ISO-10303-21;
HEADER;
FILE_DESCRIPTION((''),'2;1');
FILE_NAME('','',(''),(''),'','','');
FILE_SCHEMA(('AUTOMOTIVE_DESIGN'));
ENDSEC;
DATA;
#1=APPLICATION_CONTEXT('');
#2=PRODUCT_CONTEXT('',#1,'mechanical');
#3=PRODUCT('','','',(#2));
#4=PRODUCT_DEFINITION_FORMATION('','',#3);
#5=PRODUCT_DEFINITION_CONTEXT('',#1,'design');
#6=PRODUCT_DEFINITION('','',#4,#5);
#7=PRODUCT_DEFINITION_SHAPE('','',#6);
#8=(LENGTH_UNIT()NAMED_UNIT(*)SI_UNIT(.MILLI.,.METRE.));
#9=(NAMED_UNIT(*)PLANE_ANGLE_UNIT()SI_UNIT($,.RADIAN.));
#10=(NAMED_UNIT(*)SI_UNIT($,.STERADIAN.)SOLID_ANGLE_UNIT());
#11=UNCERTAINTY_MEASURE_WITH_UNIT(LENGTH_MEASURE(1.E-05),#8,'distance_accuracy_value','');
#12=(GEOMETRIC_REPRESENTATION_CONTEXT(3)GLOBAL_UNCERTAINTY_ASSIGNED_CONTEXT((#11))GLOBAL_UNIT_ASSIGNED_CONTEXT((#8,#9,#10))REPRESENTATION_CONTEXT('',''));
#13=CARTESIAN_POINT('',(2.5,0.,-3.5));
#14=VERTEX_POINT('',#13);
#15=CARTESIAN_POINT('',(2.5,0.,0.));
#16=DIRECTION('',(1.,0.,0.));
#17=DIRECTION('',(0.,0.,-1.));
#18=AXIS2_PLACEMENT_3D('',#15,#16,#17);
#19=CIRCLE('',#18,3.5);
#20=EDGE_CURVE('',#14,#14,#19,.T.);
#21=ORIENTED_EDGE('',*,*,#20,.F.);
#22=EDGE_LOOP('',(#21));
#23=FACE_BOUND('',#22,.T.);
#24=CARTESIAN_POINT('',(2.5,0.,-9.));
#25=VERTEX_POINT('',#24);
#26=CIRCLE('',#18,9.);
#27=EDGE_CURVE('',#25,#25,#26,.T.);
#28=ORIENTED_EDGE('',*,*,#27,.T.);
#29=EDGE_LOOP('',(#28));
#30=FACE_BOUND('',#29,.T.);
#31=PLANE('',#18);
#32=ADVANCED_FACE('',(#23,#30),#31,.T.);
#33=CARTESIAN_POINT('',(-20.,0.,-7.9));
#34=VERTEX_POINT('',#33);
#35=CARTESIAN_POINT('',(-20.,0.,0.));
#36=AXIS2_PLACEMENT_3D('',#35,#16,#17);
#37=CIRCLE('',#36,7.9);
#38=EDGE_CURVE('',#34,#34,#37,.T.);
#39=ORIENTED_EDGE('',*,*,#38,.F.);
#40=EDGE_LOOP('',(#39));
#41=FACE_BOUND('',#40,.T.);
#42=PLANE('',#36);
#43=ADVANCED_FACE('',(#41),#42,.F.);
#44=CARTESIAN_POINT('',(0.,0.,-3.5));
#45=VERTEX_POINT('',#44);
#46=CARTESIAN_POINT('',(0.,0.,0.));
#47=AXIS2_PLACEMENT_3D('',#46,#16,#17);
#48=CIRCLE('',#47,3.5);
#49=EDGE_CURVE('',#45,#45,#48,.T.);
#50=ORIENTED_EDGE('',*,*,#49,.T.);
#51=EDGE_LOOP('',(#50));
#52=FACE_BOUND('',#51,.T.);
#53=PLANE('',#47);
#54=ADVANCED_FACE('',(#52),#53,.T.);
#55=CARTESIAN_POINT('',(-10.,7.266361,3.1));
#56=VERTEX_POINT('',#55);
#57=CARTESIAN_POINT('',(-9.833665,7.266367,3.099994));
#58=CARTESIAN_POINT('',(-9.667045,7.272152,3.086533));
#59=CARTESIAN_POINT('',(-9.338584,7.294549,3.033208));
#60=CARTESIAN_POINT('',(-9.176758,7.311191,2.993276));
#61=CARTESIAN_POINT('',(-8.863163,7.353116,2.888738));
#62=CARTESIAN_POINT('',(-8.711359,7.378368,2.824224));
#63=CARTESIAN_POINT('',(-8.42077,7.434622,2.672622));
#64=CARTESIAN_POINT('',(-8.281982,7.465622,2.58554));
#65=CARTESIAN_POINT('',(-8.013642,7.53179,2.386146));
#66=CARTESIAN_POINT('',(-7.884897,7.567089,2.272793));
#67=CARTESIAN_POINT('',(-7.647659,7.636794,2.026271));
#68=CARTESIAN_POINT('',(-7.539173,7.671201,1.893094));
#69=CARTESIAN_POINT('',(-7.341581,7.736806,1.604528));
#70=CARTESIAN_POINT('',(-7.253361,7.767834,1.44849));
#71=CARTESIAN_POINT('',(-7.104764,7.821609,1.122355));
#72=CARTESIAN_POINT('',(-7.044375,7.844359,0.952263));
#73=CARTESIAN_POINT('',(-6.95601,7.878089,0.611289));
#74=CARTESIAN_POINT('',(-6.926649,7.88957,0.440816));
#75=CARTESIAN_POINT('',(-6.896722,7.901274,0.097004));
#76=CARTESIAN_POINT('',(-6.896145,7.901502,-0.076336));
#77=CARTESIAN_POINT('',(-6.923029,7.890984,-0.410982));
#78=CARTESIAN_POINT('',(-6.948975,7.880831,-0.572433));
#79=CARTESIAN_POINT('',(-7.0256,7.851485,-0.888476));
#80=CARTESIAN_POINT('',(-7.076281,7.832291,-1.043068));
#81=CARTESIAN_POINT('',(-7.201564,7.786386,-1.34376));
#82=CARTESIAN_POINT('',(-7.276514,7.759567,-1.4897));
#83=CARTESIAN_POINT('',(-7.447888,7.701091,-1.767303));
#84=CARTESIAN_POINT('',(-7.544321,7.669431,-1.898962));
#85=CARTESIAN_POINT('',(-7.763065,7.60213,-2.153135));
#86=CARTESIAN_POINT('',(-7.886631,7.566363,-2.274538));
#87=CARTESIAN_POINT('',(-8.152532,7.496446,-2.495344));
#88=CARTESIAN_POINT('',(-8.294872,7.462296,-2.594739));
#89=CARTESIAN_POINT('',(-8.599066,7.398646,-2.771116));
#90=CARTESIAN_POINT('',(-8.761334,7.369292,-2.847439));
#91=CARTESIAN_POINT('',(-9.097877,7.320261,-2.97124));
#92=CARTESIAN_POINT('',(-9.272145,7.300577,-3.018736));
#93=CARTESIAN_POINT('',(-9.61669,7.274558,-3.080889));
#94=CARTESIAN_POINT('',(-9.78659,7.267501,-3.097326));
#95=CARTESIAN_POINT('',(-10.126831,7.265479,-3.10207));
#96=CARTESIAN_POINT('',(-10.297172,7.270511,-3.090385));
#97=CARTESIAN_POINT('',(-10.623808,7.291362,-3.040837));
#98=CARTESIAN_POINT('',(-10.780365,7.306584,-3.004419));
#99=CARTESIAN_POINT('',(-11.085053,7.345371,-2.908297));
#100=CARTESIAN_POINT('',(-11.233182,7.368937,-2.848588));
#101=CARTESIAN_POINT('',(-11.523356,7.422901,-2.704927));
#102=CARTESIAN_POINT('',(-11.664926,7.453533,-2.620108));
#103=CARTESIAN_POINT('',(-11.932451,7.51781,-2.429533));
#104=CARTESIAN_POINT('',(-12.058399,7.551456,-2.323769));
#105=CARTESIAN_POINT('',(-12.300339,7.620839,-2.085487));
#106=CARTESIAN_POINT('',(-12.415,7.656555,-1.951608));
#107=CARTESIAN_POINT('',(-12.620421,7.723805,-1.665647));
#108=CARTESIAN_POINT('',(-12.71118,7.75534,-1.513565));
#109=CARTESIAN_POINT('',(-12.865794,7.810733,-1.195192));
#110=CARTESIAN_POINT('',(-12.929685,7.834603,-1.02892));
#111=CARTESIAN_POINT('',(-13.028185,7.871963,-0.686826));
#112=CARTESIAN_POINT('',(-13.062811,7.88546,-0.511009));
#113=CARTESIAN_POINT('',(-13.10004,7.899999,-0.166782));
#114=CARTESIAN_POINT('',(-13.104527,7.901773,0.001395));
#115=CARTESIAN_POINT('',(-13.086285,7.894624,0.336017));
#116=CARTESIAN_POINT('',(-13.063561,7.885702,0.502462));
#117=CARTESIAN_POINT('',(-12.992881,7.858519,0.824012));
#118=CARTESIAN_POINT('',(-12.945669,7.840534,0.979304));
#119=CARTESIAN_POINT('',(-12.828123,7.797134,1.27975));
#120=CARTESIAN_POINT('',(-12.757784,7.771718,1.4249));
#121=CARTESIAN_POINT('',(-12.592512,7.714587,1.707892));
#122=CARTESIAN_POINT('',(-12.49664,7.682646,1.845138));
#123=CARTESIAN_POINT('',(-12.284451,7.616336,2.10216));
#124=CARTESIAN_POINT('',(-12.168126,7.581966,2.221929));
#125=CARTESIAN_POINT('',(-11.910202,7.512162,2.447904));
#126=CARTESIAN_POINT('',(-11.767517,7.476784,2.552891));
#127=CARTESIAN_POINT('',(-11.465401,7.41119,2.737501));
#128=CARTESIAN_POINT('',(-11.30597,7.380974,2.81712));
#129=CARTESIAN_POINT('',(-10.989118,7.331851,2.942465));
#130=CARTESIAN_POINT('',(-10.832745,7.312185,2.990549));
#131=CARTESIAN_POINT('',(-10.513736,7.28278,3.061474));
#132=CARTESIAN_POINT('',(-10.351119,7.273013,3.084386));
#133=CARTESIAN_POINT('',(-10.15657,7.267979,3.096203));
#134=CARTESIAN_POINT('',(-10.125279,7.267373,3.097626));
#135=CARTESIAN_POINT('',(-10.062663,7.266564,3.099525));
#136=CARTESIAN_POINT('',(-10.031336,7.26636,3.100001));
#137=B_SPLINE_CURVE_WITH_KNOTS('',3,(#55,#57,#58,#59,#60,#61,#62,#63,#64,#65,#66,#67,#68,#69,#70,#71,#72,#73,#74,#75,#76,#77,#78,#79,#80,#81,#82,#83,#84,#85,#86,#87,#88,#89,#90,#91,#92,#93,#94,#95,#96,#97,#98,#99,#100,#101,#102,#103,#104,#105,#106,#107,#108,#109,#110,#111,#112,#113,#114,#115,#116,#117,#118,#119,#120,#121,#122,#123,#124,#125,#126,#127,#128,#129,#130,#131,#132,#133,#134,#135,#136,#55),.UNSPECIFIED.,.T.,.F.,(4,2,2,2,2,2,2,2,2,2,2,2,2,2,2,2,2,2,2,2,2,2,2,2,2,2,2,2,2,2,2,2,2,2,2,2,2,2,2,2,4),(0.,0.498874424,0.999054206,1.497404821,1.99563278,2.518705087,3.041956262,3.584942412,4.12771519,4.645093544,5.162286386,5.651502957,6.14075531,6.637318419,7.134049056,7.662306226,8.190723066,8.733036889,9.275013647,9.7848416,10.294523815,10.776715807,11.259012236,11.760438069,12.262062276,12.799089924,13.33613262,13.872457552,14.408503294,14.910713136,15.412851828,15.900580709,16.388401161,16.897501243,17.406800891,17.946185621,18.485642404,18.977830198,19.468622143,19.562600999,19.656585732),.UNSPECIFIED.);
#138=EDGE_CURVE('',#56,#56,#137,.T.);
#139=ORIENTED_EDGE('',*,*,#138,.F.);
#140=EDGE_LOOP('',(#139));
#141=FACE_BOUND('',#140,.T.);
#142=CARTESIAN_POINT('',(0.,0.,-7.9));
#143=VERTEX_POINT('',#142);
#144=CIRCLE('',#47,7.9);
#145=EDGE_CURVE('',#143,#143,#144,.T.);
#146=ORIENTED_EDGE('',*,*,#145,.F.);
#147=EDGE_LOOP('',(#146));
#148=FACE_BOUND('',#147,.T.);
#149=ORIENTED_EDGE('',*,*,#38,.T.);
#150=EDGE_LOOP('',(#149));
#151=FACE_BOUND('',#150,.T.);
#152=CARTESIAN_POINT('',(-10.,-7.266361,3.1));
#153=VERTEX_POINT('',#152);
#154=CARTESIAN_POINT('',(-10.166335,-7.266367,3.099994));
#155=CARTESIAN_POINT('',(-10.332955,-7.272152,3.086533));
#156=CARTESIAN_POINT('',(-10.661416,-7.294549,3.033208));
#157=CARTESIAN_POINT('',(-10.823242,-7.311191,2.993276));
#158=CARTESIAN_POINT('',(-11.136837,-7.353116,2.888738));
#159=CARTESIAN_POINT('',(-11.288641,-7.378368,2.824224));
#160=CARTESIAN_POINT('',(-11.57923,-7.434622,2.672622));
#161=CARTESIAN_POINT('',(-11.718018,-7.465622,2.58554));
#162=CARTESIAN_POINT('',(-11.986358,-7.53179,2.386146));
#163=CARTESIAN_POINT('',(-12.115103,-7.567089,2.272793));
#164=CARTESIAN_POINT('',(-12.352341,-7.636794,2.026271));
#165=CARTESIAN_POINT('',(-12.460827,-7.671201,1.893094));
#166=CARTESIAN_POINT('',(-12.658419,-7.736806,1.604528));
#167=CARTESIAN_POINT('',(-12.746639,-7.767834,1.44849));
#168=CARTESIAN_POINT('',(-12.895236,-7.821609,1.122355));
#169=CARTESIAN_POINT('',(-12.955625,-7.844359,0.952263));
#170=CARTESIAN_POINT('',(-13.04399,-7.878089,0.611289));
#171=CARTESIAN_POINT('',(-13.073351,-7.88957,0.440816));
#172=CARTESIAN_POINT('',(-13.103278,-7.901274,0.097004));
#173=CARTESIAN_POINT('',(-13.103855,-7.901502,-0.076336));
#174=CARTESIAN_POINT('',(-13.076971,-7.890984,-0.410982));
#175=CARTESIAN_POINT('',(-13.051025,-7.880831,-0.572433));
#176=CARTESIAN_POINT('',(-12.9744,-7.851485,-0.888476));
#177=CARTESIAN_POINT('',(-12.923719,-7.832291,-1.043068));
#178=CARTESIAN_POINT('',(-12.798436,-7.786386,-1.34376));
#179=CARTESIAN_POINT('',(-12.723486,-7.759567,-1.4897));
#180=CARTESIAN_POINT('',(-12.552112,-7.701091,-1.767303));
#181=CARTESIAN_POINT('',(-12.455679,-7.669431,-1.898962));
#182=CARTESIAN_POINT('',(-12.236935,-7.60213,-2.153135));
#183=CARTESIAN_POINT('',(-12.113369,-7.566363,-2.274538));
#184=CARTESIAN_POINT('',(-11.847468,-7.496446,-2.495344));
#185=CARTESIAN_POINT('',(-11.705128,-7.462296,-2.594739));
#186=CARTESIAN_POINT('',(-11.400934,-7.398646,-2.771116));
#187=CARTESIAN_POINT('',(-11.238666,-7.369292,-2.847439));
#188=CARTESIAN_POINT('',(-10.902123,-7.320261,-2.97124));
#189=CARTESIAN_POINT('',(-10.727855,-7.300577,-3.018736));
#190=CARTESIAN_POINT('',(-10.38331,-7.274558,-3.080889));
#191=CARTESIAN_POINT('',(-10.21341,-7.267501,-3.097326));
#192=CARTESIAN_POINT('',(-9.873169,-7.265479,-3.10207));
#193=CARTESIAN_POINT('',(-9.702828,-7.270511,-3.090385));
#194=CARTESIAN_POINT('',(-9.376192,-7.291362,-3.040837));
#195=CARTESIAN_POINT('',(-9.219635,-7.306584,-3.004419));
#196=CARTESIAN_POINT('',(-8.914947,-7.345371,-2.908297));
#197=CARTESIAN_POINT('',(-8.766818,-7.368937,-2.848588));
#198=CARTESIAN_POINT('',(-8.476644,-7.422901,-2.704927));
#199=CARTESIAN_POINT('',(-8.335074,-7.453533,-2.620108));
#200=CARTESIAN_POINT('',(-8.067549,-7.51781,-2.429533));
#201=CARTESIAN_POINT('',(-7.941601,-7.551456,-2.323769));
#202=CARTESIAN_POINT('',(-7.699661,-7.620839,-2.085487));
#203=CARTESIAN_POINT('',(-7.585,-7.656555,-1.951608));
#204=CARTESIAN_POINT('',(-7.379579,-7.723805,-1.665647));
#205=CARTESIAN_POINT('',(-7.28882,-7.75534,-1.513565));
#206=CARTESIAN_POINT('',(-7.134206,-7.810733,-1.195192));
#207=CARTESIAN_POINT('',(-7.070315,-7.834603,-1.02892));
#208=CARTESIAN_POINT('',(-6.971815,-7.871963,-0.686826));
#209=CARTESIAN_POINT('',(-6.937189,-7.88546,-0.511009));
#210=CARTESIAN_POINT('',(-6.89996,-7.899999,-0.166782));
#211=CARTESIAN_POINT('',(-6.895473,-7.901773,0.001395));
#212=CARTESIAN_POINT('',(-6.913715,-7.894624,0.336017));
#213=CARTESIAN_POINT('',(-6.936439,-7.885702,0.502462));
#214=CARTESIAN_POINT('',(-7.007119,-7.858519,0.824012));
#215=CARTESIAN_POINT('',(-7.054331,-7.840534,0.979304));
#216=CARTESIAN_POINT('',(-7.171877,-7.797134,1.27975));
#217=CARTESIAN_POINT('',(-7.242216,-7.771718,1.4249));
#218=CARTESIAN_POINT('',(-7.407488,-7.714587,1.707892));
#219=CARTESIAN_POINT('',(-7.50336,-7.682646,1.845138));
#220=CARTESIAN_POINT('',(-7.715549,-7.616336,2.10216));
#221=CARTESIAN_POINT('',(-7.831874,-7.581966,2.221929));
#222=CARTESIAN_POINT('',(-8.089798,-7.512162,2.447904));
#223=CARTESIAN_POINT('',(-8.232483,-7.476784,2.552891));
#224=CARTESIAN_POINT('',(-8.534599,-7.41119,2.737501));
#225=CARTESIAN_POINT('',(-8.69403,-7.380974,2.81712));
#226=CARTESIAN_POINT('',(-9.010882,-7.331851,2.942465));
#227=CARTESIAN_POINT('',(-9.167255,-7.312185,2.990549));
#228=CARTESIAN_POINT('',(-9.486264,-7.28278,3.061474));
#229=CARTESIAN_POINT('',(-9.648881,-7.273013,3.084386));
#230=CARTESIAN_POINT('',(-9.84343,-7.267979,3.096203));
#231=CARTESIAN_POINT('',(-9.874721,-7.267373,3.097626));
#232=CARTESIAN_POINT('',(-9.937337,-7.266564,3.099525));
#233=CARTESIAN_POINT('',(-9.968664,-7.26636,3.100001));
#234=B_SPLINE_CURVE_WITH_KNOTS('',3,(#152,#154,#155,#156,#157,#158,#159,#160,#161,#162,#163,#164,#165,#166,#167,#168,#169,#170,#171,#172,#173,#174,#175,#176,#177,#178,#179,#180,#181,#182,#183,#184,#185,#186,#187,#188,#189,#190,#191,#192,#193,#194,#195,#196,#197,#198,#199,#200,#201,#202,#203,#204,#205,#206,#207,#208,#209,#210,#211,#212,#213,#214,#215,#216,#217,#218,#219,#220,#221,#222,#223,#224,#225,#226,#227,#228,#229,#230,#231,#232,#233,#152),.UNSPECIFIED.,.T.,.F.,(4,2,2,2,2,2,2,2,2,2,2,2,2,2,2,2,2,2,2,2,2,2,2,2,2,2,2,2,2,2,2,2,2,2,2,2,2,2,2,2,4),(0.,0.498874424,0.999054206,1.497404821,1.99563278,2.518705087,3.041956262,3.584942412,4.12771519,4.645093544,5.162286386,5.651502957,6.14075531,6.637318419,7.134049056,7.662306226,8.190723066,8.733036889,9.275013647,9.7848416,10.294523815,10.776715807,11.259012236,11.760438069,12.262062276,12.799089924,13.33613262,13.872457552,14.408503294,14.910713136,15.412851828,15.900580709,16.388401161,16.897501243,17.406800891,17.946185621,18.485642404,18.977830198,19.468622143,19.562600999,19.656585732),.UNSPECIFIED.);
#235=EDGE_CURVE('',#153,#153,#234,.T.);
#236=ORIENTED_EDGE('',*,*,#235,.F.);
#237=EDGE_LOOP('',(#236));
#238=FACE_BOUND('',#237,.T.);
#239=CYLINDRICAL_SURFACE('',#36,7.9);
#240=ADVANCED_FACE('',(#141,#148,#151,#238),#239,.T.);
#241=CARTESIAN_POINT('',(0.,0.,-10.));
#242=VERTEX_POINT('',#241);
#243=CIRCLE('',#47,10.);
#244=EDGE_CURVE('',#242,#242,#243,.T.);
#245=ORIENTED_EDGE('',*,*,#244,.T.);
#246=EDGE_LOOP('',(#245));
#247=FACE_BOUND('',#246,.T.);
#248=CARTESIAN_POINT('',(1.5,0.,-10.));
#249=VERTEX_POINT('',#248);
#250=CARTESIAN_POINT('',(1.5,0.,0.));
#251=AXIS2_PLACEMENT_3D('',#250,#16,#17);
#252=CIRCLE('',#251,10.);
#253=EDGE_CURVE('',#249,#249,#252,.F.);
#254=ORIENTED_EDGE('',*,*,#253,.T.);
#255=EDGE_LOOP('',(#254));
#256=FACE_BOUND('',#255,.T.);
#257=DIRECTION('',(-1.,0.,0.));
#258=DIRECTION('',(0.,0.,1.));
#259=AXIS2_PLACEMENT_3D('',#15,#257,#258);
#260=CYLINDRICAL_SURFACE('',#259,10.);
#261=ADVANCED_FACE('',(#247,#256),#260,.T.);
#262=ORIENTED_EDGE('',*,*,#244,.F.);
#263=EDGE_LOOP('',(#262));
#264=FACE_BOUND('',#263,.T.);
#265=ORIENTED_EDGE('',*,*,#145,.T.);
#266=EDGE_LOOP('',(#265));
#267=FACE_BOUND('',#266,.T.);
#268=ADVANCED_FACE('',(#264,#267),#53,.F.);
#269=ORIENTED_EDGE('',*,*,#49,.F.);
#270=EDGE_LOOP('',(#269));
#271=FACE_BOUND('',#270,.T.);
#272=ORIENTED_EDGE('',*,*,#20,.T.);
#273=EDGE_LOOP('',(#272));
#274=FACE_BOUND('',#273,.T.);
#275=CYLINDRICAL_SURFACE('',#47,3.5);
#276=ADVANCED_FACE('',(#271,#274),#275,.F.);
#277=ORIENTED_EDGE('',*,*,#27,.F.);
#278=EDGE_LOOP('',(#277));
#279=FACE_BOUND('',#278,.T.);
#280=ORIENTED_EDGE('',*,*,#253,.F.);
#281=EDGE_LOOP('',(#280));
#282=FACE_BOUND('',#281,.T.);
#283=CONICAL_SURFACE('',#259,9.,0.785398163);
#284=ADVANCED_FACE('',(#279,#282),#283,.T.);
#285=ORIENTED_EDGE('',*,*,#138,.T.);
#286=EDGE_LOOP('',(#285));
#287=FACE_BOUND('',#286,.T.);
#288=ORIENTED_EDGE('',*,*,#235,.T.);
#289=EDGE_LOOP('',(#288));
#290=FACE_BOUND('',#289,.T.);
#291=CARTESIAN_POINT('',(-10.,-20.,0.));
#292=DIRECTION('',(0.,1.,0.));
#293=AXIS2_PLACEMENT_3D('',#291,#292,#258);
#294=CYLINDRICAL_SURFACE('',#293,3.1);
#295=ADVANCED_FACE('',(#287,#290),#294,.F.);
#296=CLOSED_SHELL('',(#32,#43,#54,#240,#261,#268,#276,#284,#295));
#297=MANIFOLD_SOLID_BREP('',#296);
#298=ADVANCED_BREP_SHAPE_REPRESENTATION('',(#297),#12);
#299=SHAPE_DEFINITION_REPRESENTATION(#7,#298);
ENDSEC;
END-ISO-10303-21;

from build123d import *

# Parameters (mm, degrees)
SKETCH_1_R          = 7.9
EXTRUDE_1_DEPTH     = 20
SKETCH_5_R          = 3.1
CUT_EXTRUDE_2_DEPTH = 20
SKETCH_6_R          = 10
EXTRUDE_2_DEPTH     = 2.5
SKETCH_7_R          = 3.5
CUT_EXTRUDE_3_DEPTH = 2.5
CHAMFER_1_SIZE      = 1


with BuildPart() as part:
    # 草图1 → 凸台-拉伸1 (new body)
    with BuildSketch(Plane(origin=(0, 0, 0), x_dir=(0, 0, -1), z_dir=(1, 0, 0))):
        Circle(SKETCH_1_R)
    extrude(amount=-EXTRUDE_1_DEPTH)

    # 草图5 → 切除-拉伸2 (cut, symmetric)
    with BuildSketch(Plane(origin=(0, 0, 0), x_dir=(1, 0, 0), z_dir=(0, 1, 0))):
        with Locations((-10, 0)):
            Circle(SKETCH_5_R)
    extrude(amount=CUT_EXTRUDE_2_DEPTH, both=True, mode=Mode.SUBTRACT)

    # 草图6 → 凸台-拉伸2 (add)
    with BuildSketch(Plane(origin=(0, 0, 0), x_dir=(0, 0, -1), z_dir=(1, 0, 0))):
        Circle(SKETCH_6_R)
    extrude(amount=EXTRUDE_2_DEPTH)

    # 草图7 → 切除-拉伸3 (cut)
    with BuildSketch(Plane(origin=(2.5, 0, 0), x_dir=(0, 0, -1), z_dir=(1, 0, 0))):
        Circle(SKETCH_7_R)
    extrude(amount=-CUT_EXTRUDE_3_DEPTH, mode=Mode.SUBTRACT)

    # 倒角1
    chamfer_1_edges = [part.edges().sort_by_distance(p)[0] for p in [
        (2.5, 0, 10),
    ]]
    chamfer(chamfer_1_edges, length=CHAMFER_1_SIZE)


solid = part.part
